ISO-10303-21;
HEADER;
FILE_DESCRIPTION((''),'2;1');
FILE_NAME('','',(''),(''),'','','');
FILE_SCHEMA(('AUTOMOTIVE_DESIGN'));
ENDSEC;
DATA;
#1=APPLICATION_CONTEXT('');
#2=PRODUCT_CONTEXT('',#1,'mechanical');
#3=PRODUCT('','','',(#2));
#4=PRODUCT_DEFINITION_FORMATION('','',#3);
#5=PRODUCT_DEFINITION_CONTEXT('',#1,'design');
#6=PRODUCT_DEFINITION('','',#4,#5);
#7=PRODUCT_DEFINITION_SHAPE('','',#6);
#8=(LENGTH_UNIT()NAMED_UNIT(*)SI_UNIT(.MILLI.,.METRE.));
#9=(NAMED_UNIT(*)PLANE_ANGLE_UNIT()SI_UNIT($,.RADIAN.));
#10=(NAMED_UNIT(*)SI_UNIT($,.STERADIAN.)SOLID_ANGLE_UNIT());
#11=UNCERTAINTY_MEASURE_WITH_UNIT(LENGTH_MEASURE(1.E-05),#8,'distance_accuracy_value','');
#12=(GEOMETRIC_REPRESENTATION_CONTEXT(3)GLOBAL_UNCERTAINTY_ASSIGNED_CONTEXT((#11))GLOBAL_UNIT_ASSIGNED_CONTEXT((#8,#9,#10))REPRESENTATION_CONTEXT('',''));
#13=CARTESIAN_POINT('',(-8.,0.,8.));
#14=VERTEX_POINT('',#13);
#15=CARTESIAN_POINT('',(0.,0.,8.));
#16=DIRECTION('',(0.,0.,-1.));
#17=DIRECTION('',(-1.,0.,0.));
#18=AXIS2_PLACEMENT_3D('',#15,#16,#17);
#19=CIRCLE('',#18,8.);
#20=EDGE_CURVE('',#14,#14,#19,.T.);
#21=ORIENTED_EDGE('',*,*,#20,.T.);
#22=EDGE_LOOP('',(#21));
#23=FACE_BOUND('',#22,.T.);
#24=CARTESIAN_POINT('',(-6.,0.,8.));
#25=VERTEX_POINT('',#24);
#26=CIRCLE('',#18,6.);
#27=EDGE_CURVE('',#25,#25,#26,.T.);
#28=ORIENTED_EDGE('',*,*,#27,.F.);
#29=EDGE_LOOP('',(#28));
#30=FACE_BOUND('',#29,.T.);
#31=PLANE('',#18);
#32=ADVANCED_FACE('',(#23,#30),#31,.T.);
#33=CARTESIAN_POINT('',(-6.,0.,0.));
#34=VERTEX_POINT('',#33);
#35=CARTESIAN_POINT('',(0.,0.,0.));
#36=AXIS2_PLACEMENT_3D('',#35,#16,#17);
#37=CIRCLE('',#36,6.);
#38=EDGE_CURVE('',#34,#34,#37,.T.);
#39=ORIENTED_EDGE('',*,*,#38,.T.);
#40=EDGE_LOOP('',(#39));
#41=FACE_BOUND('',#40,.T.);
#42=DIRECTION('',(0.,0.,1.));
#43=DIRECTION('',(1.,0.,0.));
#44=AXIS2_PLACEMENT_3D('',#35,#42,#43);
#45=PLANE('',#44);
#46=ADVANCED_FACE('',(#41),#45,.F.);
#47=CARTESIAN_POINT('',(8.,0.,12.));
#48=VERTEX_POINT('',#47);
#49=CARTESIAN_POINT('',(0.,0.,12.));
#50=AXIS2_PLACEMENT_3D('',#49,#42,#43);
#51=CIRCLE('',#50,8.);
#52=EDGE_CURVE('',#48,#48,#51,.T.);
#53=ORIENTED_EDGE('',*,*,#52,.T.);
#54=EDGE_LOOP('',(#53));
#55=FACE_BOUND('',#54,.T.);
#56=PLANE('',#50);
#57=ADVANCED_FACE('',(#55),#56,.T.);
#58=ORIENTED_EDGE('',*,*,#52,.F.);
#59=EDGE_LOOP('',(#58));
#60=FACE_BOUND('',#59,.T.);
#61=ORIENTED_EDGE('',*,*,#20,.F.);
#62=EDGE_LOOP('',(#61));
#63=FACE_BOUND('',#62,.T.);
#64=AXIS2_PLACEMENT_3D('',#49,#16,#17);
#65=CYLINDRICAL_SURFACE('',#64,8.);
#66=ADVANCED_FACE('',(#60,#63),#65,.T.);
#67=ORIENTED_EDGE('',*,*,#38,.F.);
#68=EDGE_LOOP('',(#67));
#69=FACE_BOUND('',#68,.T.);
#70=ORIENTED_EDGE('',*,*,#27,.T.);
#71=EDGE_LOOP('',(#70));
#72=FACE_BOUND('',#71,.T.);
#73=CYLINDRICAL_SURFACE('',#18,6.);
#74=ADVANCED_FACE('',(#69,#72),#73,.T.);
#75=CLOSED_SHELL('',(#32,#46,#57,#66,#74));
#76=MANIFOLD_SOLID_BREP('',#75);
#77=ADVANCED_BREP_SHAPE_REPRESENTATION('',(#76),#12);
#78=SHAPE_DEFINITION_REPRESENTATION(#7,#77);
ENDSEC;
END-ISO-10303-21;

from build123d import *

# Parameters (mm, degrees)
SKETCH_1_R          = 8
EXTRUDE_1_DEPTH     = 12
SKETCH_2_OUTSIDE_W  = 23.122
SKETCH_2_OUTSIDE_H  = 23.122
SKETCH_2_OUTSIDE_R  = 6
CUT_EXTRUDE_1_DEPTH = 8


with BuildPart() as part:
    # Эскиз1 → Бобышка-Вытянуть1 (new body)
    with BuildSketch(Plane.XY):
        Circle(SKETCH_1_R)
    extrude(amount=EXTRUDE_1_DEPTH)

    # Эскиз2 outside → Вырез-Вытянуть1 (cut)
    with BuildSketch(Plane(origin=(0, 0, 0), x_dir=(-1, 0, 0), z_dir=(0, 0, -1))):
        Rectangle(SKETCH_2_OUTSIDE_W, SKETCH_2_OUTSIDE_H)
        Circle(SKETCH_2_OUTSIDE_R, mode=Mode.SUBTRACT)
    extrude(amount=-CUT_EXTRUDE_1_DEPTH, mode=Mode.SUBTRACT)


solid = part.part
